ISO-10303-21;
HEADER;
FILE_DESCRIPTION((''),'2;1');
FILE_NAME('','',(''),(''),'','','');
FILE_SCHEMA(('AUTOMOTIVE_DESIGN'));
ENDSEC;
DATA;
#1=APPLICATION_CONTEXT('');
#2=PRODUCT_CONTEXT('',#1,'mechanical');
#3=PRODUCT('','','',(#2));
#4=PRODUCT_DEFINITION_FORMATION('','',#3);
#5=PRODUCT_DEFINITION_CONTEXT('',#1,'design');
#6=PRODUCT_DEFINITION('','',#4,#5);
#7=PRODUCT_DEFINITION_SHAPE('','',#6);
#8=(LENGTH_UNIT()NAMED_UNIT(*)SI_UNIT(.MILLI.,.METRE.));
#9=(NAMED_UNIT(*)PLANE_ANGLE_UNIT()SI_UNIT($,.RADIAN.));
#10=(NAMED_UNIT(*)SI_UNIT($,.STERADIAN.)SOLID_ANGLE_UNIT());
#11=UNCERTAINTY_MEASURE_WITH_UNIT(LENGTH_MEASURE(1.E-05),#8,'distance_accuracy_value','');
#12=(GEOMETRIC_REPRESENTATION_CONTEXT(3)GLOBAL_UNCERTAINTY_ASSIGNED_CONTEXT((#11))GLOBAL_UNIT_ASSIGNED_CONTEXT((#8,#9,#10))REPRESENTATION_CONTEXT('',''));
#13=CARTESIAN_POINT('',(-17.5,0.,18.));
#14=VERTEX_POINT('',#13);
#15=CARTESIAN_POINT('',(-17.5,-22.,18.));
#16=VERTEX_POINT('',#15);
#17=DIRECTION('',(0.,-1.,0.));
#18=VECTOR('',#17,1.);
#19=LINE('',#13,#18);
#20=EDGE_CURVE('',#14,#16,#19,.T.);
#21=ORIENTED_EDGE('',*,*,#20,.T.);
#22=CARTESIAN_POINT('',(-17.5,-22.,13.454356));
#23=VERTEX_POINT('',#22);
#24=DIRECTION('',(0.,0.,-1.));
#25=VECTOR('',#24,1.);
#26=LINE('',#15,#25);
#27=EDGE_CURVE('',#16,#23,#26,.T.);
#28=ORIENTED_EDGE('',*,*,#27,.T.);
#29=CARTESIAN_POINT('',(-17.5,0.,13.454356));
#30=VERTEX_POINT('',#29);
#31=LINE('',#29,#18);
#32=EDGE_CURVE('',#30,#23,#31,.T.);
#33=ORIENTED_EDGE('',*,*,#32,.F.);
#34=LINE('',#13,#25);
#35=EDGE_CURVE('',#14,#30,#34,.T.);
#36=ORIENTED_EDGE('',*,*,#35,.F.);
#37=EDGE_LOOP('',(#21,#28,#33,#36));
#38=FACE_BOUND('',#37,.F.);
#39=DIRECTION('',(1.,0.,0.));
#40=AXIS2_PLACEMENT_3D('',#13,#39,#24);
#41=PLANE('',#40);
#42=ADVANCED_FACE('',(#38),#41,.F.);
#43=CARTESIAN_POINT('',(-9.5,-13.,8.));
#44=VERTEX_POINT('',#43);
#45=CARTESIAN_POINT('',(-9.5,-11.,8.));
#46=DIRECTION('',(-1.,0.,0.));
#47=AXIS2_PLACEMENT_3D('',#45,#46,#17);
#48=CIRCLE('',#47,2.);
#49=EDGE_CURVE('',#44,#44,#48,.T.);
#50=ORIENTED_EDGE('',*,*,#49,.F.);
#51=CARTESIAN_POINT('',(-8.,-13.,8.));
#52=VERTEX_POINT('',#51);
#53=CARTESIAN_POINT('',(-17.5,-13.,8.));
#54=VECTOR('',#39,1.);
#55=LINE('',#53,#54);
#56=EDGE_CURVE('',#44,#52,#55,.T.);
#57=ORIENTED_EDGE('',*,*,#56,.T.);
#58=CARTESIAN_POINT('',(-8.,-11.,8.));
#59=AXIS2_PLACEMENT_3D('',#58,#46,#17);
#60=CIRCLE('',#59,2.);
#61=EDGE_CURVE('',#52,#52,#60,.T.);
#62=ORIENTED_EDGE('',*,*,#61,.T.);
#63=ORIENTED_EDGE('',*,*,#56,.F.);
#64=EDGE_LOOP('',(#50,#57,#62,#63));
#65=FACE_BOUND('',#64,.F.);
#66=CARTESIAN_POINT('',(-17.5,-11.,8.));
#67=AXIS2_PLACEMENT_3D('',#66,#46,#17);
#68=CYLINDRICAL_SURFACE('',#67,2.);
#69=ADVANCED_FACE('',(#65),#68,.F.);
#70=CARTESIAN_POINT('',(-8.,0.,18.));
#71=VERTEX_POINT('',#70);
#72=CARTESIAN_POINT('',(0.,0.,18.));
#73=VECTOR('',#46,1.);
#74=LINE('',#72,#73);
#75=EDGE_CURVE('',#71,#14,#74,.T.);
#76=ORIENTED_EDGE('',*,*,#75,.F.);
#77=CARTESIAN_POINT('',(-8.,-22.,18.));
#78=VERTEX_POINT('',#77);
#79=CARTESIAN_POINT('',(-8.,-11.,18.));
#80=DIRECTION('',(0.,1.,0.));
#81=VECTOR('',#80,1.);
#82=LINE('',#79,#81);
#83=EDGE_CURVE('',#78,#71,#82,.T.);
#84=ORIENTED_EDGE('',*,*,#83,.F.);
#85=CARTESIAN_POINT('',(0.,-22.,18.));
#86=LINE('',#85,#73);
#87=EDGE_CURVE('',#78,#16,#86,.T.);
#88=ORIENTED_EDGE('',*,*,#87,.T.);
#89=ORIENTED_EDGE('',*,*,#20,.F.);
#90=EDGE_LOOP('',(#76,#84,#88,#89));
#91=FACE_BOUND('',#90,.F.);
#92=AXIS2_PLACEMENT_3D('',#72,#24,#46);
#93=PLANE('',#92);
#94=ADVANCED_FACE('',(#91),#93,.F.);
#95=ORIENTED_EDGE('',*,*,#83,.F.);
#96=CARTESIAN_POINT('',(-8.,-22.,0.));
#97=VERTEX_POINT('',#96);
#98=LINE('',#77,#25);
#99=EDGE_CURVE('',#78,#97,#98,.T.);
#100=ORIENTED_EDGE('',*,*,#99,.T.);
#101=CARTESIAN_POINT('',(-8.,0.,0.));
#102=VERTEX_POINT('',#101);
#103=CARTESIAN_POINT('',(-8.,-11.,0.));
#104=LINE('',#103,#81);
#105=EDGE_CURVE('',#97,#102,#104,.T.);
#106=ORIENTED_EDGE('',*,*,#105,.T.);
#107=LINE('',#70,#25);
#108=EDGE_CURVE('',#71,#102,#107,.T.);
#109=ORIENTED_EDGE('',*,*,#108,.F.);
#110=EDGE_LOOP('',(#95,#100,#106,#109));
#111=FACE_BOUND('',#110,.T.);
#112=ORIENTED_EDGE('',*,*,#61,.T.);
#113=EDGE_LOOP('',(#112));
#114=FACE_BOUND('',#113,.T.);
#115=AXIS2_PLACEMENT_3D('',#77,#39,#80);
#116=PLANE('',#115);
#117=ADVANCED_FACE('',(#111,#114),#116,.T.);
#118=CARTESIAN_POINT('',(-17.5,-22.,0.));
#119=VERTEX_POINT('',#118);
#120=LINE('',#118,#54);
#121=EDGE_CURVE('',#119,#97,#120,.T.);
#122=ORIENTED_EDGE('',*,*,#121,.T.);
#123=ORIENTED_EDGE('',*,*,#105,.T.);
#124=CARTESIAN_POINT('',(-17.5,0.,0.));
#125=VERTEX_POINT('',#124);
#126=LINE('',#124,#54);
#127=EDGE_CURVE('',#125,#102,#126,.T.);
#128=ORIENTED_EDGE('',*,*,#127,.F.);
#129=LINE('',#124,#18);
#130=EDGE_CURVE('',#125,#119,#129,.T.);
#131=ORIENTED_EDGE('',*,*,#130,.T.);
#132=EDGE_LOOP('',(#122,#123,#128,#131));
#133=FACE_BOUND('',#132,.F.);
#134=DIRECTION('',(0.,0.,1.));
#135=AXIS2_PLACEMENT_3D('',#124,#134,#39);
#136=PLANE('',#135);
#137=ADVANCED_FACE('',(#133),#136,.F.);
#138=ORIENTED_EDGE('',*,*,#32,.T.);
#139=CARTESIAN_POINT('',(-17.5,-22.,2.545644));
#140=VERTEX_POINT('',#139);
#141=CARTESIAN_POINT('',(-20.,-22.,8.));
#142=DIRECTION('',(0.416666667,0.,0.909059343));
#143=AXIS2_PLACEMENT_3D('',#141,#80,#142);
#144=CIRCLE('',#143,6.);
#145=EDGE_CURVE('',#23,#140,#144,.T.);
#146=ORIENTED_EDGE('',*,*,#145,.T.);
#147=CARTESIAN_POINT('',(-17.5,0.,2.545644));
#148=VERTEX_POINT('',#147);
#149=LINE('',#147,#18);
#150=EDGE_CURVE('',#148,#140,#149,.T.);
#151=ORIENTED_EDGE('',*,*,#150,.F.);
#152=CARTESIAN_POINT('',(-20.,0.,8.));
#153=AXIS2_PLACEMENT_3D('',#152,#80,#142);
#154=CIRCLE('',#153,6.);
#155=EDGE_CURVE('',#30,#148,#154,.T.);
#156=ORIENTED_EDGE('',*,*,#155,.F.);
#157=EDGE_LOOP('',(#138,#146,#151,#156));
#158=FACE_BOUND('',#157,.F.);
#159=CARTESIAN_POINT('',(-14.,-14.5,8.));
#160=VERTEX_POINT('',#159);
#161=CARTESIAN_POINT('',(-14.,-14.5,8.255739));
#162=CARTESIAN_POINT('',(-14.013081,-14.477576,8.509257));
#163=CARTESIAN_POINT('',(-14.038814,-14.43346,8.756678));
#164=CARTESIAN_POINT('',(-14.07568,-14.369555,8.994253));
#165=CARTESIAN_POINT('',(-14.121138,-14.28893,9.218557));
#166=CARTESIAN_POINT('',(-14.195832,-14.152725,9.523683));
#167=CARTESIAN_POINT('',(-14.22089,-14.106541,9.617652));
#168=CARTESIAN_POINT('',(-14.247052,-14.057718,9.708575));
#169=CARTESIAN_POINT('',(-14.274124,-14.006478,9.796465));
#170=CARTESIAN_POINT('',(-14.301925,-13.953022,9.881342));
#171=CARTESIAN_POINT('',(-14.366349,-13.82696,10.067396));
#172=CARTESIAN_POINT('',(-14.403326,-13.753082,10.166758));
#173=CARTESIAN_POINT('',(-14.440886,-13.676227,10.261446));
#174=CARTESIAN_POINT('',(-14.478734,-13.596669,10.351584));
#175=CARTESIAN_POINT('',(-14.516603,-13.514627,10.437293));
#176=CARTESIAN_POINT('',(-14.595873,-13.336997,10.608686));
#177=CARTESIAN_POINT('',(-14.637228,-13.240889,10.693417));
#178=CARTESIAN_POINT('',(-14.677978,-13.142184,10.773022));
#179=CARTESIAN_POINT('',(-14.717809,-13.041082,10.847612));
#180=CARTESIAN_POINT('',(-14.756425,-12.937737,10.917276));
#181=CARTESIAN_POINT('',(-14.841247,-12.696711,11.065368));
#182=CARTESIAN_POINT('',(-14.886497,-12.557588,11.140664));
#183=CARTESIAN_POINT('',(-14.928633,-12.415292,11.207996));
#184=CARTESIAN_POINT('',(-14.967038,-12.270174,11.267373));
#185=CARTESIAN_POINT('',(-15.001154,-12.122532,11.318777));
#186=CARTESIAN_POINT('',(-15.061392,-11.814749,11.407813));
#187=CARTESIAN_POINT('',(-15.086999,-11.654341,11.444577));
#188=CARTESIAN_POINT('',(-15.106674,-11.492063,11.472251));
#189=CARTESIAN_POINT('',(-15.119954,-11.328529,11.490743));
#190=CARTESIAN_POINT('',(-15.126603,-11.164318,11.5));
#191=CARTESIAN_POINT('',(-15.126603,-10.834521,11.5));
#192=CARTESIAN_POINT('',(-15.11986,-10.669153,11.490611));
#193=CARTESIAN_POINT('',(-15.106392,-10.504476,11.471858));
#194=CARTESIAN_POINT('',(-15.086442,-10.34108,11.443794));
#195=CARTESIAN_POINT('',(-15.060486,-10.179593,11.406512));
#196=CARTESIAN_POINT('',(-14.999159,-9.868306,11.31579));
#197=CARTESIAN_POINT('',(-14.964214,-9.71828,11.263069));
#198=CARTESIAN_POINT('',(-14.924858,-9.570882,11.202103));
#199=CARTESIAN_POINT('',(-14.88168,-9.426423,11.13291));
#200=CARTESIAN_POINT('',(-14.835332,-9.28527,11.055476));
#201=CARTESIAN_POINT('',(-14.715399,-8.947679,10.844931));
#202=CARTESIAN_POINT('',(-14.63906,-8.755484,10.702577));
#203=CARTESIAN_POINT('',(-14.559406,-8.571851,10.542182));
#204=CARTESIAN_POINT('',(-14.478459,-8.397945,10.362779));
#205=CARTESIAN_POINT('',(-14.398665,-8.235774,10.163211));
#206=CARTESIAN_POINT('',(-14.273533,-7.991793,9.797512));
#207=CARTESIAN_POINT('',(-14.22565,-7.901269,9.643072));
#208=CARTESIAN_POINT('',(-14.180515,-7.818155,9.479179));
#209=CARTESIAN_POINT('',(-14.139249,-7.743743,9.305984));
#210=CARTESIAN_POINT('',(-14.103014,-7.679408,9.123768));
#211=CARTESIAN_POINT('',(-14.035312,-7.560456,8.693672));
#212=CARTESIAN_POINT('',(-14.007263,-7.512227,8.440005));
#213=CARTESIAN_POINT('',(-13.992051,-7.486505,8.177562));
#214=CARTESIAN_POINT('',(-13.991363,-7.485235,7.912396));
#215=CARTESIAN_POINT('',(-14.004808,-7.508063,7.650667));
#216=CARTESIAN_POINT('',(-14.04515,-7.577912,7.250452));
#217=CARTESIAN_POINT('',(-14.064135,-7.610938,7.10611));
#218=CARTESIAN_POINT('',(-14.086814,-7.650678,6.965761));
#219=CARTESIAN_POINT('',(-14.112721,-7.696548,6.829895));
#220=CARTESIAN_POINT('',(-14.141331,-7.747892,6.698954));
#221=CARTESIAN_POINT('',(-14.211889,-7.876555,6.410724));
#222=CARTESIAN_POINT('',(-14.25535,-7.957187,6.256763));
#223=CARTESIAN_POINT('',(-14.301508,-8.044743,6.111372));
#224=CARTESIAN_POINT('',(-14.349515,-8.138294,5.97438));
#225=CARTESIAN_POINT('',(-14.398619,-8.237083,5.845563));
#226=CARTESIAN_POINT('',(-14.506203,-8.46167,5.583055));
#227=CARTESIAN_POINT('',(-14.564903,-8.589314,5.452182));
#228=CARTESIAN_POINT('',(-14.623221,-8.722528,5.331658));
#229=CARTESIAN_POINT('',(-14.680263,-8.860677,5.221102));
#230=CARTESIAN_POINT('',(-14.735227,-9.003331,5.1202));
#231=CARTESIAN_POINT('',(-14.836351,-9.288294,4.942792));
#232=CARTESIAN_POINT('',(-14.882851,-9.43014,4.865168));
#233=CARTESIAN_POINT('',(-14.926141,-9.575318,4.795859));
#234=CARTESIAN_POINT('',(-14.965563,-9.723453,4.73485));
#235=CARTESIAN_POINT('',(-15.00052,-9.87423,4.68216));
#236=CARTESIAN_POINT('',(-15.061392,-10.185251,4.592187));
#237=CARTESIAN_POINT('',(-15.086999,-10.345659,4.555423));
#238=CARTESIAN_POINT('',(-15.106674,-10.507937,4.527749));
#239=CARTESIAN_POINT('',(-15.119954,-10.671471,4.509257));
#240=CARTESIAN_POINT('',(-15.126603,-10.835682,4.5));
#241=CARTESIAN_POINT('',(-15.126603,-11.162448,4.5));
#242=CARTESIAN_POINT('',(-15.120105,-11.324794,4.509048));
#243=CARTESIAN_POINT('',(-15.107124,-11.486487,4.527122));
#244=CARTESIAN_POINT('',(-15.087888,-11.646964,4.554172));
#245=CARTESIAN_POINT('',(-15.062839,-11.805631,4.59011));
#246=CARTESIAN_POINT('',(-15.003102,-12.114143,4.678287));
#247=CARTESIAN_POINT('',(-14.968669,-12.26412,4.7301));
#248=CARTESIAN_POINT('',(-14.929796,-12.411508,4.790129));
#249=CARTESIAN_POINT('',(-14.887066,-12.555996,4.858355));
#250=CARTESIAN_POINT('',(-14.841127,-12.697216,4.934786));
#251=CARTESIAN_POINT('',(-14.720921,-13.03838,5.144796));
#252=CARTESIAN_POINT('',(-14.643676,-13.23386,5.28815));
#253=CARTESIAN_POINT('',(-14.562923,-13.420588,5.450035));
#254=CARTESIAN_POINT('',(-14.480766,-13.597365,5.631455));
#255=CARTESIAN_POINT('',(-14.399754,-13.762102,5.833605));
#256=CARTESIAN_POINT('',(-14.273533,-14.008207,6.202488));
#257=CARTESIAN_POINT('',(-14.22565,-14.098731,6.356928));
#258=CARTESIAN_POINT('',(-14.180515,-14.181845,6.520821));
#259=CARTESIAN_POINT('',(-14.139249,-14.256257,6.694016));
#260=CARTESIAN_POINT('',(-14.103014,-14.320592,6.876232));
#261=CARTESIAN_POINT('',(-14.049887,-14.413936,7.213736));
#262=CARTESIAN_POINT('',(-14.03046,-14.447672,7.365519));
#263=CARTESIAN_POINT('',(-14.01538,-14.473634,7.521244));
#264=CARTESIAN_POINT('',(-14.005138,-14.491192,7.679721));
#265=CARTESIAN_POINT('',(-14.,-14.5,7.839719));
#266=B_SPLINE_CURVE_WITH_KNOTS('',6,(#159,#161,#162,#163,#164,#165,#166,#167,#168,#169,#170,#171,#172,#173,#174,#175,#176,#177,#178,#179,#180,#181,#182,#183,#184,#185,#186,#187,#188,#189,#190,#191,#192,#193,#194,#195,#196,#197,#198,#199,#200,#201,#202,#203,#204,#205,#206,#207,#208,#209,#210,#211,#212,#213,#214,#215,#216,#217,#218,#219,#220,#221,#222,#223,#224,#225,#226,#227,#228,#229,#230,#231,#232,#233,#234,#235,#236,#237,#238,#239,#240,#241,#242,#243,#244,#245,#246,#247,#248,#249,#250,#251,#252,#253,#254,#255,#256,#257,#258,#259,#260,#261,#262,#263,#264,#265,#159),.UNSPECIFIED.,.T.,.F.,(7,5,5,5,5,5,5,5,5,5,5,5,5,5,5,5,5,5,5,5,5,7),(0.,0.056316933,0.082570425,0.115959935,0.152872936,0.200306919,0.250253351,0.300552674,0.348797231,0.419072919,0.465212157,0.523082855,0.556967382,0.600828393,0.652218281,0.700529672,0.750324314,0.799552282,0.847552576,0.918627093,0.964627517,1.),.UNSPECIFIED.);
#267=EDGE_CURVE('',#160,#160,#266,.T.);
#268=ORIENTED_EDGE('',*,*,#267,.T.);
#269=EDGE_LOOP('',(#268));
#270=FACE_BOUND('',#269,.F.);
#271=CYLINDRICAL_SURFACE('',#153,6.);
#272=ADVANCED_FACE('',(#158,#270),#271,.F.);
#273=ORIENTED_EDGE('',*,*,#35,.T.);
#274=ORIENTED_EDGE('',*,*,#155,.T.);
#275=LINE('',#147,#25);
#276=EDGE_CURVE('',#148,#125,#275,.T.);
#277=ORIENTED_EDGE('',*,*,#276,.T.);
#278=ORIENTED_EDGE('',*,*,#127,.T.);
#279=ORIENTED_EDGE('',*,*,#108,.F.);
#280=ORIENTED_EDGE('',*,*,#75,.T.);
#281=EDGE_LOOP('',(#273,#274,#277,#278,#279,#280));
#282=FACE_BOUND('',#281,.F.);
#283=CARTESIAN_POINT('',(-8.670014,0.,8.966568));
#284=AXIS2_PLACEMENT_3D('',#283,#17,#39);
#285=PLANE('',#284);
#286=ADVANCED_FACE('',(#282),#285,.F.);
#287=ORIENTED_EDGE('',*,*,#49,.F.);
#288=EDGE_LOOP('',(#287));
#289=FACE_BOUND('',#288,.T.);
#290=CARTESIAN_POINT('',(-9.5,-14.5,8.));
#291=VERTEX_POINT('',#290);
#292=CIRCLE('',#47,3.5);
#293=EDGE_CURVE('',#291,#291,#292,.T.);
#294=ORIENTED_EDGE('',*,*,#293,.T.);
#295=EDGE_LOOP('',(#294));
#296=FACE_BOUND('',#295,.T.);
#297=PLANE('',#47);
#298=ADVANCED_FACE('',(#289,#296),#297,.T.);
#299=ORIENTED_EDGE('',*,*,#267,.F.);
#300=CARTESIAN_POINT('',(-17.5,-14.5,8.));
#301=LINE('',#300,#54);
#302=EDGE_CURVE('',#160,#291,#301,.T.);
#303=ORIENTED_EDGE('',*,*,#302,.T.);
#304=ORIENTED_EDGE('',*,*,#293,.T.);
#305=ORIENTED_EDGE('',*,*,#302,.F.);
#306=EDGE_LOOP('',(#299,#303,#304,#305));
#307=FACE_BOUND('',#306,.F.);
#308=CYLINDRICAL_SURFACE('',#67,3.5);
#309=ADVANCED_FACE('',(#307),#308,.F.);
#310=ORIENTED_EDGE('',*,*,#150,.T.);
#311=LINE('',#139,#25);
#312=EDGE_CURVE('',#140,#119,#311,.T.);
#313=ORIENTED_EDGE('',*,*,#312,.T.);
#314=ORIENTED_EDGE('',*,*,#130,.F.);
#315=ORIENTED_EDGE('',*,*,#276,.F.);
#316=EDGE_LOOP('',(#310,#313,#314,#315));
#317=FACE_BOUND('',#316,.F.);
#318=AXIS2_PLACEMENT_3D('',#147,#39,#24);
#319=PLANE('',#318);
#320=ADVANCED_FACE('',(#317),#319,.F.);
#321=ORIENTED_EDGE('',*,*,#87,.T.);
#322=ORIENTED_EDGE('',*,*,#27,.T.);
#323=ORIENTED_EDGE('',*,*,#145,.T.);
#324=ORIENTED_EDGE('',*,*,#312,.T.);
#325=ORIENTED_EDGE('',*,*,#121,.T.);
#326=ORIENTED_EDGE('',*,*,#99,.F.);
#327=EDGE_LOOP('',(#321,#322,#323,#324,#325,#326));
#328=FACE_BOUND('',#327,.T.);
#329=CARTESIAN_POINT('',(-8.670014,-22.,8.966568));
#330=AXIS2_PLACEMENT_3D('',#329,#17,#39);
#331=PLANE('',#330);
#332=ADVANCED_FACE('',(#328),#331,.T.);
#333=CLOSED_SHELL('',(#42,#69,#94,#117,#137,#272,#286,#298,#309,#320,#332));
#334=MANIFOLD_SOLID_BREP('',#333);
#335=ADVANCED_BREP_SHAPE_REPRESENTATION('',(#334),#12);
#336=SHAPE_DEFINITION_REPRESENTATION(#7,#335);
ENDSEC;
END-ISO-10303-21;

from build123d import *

# Parameters (mm, degrees)
F1_DEPTH = 22
F2_R     = 2
F3_DEPTH = 25
F5_R     = 3.5
F6_DEPTH = 8
F7_W     = 8
F7_H     = 22
F8_DEPTH = 25


with BuildPart() as f1:
    # F0 (on Front) → F1 (new body)
    with BuildSketch(Plane.XZ):
        with BuildLine():
            Line((0, 18), (-17.5, 18))
            Line((-17.5, 18), (-17.5, 13.4543560573))
            ThreePointArc((-17.5, 13.4543560573), (-14, 8), (-17.5, 2.5456439427))
            Line((-17.5, 2.5456439427), (-17.5, 0))
            Line((-17.5, 0), (0, 0))
            Line((0, 0), (0, 18))
        make_face()
    extrude(amount=F1_DEPTH)

    # F2 (on face) → F3 (cut)
    with BuildSketch(Plane(origin=(-17.5, 0, 0), x_dir=(0, -1, 0), z_dir=(-1, 0, 0))):
        with Locations((11, 8)):
            Circle(F2_R)
    extrude(amount=-F3_DEPTH, mode=Mode.SUBTRACT)

    # F5 (on face) → F6 (cut)
    with BuildSketch(Plane(origin=(-17.5, 0, 0), x_dir=(0, -1, 0), z_dir=(-1, 0, 0))):
        with Locations((11, 8)):
            Circle(F5_R)
    extrude(amount=-F6_DEPTH, mode=Mode.SUBTRACT)

    # F7 (on face) → F8 (cut)
    with BuildSketch(Plane.XY.offset(18)):
        with Locations((-4, -11)):
            Rectangle(F7_W, F7_H)
    extrude(amount=-F8_DEPTH, mode=Mode.SUBTRACT)


solid = f1.part
